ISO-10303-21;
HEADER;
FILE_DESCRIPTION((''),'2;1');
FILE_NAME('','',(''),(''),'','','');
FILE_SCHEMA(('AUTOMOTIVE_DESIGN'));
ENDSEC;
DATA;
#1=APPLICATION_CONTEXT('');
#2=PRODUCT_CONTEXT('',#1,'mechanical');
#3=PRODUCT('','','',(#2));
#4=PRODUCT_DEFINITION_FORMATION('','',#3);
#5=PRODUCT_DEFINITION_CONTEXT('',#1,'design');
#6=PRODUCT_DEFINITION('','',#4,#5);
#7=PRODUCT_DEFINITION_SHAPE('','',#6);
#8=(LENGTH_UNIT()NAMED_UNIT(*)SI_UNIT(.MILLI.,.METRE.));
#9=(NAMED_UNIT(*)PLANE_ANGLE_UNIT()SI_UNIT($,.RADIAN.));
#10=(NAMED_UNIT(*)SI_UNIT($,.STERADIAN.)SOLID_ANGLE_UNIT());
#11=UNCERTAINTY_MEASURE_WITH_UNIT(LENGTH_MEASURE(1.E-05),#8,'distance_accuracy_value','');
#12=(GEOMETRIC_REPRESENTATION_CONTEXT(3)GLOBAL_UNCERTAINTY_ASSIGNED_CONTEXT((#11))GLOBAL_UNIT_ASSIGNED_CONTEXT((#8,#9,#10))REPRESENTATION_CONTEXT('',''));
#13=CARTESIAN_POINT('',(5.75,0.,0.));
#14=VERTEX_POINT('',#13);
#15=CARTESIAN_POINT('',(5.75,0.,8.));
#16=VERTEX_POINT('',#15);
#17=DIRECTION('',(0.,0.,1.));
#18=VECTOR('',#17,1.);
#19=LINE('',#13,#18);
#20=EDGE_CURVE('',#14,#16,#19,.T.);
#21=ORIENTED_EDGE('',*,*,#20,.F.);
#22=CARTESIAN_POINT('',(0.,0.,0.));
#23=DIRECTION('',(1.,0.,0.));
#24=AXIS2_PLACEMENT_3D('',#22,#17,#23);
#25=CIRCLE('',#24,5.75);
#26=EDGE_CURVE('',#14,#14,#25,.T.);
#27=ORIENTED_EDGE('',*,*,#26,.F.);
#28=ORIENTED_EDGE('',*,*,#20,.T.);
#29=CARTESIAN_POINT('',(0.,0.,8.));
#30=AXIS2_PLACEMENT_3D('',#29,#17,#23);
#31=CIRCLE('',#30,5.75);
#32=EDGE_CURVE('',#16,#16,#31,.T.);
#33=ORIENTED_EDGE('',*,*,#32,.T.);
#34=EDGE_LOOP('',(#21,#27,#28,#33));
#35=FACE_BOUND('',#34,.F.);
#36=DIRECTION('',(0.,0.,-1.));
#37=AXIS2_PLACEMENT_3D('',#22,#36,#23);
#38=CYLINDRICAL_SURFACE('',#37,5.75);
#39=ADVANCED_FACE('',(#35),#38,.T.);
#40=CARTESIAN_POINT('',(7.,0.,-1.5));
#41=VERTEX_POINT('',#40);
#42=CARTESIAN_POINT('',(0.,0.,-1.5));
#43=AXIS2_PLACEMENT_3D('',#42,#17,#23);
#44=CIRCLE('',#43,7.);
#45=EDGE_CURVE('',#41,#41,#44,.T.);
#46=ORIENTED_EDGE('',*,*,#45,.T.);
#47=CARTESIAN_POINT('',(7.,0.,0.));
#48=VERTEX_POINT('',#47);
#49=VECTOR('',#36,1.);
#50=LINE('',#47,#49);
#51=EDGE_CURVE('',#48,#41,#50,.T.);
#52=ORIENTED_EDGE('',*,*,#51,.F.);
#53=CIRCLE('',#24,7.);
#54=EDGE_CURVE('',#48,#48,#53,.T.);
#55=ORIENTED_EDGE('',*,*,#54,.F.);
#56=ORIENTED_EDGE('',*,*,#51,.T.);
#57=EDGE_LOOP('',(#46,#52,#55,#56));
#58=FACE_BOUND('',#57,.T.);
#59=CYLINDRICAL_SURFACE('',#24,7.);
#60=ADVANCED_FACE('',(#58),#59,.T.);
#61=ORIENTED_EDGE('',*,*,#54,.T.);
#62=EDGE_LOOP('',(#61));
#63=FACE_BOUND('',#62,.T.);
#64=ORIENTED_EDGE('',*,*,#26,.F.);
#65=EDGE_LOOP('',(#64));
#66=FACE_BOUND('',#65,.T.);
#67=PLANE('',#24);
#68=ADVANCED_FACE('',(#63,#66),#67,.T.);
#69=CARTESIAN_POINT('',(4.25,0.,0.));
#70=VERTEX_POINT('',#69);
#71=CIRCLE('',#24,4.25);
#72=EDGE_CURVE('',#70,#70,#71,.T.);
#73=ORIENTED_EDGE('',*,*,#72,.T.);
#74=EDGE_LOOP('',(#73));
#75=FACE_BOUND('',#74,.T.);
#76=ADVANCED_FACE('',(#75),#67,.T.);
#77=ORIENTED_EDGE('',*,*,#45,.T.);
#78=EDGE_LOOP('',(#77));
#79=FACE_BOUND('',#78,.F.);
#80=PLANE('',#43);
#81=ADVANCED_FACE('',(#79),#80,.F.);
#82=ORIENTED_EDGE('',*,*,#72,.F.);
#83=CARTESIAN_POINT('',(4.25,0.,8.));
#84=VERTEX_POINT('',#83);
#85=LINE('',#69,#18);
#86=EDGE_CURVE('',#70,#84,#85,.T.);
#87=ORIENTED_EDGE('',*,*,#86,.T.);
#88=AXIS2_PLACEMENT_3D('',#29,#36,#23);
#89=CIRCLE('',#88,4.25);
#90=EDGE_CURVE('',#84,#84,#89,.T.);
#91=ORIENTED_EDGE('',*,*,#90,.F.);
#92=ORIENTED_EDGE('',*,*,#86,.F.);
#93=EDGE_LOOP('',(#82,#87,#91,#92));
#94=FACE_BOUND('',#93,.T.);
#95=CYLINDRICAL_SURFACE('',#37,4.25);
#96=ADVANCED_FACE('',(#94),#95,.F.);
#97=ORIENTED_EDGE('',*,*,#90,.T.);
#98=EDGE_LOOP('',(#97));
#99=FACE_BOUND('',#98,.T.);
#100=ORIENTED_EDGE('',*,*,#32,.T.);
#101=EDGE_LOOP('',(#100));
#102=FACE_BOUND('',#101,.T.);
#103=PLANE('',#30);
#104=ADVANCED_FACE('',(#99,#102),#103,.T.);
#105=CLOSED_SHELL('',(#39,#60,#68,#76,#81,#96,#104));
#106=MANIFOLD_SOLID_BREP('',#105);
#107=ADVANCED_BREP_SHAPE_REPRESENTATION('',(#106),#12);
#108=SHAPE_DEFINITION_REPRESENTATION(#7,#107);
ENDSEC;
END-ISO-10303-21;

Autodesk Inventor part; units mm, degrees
ref_plane "YZ Plane" through (0, 0, 0) normal (1, 0, 0) x (0, 1, 0)
ref_plane "XZ Plane" through (0, 0, 0) normal (0, 1, 0) x (-1, 0, 0)
ref_plane "XY Plane" through (0, 0, 0) normal (0, 0, 1) x (1, 0, 0)
sketch "Sketch1" plane through (0, 0, 0) normal (0, 0, 1) x (1, 0, 0)
  circle A0 centre (0, 0) radius 7
  circle A1 centre (0, 0) radius 5.75
  circle A2 centre (0, 0) radius 4.25
  dimension "d0" = 14
  dimension "d1" = 11.5
  dimension "d6" = 8.5
extrude "Extrusion1" add sketch "Sketch1" along normal blind 8 contours A1 | A2
extrude "Extrusion2" add sketch "Sketch1" against normal blind 1.5 contours A0 | A1 | A2
extrude "Extrusion3" cut sketch "Sketch1" along normal up to next contours A2
properties part number "Rodend12mil"
